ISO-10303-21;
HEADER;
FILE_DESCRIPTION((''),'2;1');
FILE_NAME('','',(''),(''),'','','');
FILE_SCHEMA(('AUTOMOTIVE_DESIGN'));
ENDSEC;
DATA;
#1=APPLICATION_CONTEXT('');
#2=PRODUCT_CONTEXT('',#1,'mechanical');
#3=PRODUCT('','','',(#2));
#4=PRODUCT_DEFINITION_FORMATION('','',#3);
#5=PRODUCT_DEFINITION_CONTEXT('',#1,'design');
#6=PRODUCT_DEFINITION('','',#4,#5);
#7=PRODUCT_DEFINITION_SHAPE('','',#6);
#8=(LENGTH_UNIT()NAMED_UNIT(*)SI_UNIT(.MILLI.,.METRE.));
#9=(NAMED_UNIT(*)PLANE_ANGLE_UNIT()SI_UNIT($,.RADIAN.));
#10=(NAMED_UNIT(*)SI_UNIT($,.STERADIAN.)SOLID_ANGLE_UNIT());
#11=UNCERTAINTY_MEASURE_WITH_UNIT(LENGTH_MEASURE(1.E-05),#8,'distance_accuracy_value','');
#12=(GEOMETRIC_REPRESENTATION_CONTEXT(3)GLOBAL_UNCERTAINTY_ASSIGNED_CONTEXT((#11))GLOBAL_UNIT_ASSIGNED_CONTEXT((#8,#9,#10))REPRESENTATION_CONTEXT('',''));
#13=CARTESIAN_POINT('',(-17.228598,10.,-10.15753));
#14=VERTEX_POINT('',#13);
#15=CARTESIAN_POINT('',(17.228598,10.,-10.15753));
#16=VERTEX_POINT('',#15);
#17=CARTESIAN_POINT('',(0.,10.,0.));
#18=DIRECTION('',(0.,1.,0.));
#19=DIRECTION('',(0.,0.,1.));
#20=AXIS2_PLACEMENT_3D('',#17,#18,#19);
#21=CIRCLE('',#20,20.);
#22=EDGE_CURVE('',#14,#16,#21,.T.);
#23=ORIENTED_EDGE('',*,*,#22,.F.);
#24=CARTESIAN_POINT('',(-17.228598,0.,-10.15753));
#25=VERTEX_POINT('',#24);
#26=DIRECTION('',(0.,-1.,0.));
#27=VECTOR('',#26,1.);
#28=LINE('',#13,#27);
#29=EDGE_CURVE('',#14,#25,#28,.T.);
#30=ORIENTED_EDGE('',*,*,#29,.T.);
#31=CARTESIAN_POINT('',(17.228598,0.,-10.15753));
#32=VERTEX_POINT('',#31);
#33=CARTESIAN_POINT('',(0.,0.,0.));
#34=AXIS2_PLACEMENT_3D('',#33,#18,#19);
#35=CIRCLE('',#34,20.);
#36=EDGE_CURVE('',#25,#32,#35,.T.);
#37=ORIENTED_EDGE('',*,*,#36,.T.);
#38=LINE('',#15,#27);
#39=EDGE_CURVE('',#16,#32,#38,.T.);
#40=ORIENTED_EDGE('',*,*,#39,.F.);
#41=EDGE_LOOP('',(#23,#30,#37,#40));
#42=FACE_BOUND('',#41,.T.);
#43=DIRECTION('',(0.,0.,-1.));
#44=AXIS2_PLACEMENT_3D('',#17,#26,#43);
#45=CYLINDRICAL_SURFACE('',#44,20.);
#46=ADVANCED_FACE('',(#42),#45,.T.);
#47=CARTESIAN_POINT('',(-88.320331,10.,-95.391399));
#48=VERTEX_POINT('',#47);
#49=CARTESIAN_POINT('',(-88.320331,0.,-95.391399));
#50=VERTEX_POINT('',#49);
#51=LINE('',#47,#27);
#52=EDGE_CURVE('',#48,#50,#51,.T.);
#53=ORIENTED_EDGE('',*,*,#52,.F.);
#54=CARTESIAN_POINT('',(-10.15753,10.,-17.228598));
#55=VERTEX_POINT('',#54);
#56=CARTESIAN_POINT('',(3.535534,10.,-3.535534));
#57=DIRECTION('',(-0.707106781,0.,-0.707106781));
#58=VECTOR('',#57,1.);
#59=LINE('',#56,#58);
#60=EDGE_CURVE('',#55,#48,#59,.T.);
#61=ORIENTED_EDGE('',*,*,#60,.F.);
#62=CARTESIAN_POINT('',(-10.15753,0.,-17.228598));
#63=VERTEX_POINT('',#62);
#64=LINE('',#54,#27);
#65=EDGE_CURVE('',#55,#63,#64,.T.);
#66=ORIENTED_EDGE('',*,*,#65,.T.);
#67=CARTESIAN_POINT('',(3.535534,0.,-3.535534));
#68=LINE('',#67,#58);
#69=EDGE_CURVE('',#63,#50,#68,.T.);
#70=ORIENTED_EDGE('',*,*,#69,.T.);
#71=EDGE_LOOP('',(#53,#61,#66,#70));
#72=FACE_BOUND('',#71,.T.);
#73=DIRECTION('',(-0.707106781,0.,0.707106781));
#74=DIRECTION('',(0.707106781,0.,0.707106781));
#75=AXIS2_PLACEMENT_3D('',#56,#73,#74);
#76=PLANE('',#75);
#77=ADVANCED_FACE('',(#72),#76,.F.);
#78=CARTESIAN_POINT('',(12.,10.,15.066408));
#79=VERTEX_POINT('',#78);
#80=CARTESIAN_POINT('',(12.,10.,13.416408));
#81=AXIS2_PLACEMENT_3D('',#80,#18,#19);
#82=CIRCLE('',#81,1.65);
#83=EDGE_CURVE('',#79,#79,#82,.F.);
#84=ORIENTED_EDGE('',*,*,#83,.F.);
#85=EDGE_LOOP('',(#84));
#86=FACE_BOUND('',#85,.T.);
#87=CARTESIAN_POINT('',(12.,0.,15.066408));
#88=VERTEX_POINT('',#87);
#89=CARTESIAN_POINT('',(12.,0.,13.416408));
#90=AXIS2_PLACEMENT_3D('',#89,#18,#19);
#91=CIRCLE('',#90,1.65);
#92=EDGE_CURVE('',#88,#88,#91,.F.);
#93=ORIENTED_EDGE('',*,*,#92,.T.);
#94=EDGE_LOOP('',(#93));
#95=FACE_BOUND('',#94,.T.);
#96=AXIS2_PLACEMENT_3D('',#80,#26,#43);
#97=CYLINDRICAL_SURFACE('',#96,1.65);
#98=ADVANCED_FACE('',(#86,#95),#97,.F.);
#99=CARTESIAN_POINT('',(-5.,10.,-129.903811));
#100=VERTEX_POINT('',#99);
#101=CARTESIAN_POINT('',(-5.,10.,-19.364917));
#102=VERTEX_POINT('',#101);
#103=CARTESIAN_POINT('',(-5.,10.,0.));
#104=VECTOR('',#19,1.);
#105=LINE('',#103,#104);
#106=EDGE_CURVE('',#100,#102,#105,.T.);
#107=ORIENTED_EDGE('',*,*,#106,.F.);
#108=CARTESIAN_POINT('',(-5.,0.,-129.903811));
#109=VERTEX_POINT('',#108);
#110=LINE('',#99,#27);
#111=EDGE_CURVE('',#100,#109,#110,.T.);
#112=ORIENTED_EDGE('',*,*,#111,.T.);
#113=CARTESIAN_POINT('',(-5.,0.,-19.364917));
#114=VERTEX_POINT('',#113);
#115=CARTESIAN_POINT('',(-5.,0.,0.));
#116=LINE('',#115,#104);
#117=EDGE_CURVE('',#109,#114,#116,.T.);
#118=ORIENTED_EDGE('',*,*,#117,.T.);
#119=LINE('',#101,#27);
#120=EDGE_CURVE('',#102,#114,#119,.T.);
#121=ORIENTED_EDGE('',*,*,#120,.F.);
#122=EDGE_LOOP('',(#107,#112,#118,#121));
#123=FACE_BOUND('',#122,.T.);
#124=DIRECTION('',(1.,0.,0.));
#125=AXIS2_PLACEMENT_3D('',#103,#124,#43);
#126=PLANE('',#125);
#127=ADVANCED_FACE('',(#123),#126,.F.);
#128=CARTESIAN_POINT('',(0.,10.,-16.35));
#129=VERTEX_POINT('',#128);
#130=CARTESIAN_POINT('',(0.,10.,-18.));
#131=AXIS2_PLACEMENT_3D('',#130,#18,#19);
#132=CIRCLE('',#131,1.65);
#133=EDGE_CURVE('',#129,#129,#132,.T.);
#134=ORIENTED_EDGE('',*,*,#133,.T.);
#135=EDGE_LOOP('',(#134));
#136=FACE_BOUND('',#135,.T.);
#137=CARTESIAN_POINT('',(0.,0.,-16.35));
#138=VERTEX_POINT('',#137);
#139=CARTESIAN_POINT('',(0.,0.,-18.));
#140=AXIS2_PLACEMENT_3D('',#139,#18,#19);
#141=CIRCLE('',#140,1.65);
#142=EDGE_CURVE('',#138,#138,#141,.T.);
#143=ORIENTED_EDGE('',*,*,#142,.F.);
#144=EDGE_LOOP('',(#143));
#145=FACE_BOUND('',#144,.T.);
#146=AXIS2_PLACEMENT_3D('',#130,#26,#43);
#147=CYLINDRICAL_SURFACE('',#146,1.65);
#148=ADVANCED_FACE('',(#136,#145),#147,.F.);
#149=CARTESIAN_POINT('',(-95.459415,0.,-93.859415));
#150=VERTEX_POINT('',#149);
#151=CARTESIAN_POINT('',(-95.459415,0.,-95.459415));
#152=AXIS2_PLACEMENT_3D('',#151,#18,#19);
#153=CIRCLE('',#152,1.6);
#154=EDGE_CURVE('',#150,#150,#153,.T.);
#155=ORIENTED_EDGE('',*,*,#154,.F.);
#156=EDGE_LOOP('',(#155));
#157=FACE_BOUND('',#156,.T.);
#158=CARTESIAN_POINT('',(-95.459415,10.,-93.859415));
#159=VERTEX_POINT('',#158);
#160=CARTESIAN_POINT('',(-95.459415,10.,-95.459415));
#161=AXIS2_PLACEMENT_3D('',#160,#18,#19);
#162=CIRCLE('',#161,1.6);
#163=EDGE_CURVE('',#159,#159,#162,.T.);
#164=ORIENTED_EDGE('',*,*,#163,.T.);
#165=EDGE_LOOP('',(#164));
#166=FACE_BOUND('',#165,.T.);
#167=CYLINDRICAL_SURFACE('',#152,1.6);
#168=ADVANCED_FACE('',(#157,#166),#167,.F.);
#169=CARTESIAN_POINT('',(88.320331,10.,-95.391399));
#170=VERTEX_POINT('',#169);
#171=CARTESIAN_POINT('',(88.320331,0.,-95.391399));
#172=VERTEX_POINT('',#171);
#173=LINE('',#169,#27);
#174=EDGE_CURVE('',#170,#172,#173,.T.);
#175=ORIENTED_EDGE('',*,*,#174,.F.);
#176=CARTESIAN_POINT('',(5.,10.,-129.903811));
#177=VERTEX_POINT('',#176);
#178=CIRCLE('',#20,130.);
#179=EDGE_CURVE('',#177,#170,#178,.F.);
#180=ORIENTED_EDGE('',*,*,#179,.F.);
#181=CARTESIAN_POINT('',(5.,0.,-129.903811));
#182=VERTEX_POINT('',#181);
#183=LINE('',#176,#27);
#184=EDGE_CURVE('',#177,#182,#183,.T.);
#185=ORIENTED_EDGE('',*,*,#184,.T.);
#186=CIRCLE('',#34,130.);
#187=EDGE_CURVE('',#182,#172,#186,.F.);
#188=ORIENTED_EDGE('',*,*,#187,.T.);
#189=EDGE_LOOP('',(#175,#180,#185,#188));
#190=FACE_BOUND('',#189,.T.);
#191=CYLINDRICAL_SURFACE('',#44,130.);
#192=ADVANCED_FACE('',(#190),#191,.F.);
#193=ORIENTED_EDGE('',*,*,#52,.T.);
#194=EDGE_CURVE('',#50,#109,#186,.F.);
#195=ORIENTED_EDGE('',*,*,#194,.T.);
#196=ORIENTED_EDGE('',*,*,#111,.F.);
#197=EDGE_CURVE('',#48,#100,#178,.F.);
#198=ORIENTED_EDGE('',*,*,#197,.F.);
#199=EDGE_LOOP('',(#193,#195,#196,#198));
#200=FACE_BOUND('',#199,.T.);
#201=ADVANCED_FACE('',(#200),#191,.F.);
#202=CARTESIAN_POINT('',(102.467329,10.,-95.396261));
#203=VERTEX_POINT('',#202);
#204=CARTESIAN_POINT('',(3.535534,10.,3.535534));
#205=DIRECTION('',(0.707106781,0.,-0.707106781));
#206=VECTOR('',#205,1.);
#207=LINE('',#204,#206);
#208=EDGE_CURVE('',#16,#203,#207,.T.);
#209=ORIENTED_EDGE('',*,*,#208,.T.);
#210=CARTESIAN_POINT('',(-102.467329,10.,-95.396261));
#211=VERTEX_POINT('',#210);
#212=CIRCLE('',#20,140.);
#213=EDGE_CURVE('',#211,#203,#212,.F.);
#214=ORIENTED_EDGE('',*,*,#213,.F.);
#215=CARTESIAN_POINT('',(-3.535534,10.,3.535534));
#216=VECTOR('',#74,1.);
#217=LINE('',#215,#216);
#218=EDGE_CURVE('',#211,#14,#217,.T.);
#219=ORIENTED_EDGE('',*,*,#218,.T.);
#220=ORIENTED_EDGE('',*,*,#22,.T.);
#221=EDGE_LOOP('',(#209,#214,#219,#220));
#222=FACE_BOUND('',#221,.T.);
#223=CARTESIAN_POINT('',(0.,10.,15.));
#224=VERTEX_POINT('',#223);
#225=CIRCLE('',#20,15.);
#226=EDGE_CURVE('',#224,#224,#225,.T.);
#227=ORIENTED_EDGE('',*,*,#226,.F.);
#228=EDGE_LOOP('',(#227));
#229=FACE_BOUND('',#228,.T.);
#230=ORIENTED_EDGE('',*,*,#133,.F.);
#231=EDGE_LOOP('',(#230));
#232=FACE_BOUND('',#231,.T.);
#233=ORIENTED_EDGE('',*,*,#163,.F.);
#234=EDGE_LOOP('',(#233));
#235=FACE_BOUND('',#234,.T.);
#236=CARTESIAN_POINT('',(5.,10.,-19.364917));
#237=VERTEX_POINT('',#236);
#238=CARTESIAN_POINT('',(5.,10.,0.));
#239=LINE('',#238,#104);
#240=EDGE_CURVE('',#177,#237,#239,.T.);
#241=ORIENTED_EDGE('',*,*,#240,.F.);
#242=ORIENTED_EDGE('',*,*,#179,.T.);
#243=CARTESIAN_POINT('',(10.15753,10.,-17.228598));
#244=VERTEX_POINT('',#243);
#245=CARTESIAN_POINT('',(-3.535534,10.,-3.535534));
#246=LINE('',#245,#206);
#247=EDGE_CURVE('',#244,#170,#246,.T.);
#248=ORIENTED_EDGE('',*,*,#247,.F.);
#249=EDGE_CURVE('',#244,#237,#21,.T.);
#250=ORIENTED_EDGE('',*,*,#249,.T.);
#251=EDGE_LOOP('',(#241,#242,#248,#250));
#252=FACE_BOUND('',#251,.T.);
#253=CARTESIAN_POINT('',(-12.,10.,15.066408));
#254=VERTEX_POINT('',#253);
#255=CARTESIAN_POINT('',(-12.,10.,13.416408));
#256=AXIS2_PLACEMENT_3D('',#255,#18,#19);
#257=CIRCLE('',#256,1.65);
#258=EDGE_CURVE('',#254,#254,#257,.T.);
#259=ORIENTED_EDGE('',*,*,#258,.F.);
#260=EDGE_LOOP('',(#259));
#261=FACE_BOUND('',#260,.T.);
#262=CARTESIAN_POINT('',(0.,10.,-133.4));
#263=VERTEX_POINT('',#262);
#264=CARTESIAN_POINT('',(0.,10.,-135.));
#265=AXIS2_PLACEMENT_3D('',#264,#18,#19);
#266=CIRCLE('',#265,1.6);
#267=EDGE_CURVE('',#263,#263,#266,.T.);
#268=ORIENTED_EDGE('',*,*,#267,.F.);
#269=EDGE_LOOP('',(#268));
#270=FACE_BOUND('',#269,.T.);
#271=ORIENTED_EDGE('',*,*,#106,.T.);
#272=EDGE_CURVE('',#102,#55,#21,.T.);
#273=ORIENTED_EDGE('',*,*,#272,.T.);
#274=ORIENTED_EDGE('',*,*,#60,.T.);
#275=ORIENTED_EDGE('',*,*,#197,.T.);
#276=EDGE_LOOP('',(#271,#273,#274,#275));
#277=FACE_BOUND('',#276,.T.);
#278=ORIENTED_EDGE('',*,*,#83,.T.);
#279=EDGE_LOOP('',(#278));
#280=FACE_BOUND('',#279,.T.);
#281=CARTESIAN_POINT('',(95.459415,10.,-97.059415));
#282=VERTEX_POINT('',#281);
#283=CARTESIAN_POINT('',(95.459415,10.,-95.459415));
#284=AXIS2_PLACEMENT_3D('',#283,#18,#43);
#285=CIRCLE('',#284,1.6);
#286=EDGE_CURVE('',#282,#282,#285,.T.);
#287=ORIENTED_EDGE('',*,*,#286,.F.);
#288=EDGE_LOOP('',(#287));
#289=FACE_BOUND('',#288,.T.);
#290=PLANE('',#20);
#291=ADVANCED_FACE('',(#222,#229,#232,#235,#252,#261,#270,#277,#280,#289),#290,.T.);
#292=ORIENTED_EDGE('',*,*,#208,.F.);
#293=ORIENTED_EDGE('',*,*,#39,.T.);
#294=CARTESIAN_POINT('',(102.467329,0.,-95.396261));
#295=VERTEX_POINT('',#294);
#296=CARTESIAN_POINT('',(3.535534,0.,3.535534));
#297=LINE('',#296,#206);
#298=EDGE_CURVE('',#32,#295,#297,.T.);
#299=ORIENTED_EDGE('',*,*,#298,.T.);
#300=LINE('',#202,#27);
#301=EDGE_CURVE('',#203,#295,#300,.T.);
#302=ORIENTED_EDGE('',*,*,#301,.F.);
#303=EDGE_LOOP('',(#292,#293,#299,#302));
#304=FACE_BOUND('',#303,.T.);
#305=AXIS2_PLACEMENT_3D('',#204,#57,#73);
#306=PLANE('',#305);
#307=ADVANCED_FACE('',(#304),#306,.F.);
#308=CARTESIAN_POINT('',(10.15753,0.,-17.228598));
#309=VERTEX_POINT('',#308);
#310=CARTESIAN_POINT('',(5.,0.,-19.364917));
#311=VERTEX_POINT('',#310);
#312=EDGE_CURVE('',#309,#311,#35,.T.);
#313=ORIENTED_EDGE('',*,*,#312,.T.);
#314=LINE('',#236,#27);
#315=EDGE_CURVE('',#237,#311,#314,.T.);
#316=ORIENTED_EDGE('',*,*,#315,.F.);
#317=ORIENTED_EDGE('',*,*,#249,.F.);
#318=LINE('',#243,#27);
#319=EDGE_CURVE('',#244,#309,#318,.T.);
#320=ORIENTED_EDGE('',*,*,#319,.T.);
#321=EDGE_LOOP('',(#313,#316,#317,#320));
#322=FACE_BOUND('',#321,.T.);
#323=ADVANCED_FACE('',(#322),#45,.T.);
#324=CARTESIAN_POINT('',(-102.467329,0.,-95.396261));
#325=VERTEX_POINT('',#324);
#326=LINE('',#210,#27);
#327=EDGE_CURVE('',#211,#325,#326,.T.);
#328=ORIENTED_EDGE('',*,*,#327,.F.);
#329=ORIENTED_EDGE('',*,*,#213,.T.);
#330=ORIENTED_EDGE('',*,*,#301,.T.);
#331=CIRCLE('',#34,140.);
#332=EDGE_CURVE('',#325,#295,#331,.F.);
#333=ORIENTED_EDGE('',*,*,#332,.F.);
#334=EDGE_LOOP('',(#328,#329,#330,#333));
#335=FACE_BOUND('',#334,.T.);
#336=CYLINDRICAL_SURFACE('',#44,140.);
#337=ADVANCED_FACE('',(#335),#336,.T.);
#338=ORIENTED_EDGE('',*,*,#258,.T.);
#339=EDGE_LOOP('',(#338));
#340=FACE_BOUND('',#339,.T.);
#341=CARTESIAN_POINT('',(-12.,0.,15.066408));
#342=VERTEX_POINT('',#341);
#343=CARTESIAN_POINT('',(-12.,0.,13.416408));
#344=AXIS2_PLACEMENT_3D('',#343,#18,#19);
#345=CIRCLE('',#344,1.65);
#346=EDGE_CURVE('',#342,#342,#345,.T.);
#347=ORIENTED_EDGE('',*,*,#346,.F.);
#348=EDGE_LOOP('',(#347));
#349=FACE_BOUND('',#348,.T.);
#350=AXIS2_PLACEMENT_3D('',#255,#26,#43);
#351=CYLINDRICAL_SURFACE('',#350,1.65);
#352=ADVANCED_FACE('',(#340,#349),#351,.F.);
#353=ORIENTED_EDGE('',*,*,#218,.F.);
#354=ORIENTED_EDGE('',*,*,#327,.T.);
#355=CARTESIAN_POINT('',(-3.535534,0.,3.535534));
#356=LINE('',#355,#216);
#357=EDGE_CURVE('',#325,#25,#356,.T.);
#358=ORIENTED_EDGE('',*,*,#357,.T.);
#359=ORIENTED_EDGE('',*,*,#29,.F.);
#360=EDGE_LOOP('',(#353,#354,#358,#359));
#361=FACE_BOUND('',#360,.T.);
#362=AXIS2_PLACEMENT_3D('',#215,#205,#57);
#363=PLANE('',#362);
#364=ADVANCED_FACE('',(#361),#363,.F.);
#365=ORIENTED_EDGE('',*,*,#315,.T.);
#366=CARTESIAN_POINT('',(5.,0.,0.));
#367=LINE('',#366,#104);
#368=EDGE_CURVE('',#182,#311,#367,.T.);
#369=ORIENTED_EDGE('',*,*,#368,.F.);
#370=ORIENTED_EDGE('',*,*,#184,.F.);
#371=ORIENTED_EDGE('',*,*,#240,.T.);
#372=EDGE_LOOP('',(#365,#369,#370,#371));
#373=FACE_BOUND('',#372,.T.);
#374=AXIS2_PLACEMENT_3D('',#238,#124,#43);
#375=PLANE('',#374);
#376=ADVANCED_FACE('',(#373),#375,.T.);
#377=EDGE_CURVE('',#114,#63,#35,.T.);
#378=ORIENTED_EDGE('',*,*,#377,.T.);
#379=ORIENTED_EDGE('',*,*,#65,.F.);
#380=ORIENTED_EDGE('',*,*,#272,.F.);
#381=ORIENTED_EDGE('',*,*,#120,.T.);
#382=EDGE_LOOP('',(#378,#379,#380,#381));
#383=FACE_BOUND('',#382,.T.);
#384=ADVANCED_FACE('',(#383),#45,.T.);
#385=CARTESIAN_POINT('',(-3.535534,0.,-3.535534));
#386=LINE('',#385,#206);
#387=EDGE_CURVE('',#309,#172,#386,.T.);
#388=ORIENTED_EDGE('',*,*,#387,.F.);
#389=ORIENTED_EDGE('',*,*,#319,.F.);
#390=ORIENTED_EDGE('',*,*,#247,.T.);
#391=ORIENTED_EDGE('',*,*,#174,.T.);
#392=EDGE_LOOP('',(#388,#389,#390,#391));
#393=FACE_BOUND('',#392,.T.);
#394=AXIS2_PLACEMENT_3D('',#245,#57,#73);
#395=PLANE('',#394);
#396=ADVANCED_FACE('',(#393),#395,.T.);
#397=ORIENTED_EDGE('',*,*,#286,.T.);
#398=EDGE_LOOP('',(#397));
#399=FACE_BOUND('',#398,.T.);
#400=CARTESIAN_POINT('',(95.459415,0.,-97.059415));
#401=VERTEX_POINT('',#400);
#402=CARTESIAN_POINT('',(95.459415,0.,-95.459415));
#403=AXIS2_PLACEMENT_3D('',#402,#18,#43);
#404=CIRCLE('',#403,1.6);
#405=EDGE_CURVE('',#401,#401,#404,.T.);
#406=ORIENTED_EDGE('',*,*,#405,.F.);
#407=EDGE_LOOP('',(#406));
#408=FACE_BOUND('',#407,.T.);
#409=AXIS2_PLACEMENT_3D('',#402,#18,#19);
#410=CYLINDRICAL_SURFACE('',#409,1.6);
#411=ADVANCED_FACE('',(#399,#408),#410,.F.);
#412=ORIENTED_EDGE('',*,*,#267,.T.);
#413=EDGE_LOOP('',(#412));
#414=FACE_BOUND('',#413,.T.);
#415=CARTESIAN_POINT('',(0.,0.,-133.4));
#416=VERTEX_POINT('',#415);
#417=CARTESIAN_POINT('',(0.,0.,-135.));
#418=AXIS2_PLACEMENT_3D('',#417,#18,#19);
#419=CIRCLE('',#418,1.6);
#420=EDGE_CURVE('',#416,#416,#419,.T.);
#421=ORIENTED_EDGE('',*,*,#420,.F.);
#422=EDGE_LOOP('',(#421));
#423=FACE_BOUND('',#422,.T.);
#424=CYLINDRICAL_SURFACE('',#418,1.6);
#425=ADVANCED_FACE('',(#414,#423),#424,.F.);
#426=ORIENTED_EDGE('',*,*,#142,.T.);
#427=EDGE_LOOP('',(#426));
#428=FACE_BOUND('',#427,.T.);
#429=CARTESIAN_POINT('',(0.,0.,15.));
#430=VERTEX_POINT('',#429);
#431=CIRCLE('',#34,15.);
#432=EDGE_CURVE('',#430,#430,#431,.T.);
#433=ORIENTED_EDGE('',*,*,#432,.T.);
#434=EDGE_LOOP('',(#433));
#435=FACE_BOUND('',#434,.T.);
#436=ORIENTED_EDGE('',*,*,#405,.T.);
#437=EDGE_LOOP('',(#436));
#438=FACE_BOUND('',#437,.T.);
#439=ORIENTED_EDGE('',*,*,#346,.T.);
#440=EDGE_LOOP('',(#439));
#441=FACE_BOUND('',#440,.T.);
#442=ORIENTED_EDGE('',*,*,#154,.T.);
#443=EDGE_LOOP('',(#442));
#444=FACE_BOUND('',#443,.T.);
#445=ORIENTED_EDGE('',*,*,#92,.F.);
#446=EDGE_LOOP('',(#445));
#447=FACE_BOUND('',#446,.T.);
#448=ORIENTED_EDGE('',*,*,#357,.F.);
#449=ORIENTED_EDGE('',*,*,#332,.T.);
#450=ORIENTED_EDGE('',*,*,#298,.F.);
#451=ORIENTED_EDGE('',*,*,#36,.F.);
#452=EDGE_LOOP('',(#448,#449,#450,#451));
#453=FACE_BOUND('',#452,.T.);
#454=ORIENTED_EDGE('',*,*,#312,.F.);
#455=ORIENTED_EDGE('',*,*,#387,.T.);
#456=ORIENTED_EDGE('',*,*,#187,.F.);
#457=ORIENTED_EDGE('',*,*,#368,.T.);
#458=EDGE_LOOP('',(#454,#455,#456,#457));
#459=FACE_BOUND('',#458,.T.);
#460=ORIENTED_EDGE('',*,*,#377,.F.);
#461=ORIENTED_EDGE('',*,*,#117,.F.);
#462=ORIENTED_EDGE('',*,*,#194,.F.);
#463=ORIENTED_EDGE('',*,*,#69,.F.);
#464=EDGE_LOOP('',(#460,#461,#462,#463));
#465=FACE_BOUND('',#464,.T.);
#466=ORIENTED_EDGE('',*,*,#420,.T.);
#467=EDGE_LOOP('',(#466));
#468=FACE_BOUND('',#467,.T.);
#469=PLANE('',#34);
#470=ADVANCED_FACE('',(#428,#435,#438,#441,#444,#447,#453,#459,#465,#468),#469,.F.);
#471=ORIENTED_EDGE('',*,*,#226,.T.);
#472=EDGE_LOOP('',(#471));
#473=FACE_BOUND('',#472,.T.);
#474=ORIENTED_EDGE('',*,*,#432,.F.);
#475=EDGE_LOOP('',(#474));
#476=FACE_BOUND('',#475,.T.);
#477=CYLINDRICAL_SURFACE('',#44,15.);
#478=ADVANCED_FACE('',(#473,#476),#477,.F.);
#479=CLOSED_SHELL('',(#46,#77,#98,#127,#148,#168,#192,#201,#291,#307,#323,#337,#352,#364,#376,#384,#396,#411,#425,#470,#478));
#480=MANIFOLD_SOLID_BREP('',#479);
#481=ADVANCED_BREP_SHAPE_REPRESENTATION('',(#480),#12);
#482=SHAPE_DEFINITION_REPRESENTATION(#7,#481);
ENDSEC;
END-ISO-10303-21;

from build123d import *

# Parameters (mm, degrees)
SKETCH_1_R          = 1.65
SKETCH_1_R_2        = 15
EXTRUDE_2_DEPTH     = 10
SKETCH_2_R          = 1.6
CUT_EXTRUDE_1_DEPTH = 11


with BuildPart() as part:
    # 草圖1 → 填料-伸長2 (new body)
    with BuildSketch(Plane(origin=(0, 0, 0), x_dir=(1, 0, 0), z_dir=(0, 1, 0))):
        with BuildLine():
            ThreePointArc((-17.228597844, 10.157530032), (0, -20), (17.228597844, 10.157530032))
            Line((17.228597844, 10.157530032), (102.467328593, 95.396260781))
            ThreePointArc((102.467328593, 95.396260781), (0, 140), (-102.467328593, 95.396260781))
            Line((-102.467328593, 95.396260781), (-17.228597844, 10.157530032))
        make_face()
        with Locations((-12, -13.416407865)):
            Circle(SKETCH_1_R, mode=Mode.SUBTRACT)
        Circle(SKETCH_1_R_2, mode=Mode.SUBTRACT)
        with Locations((0, 18)):
            Circle(SKETCH_1_R, mode=Mode.SUBTRACT)
        with Locations((12, -13.416407865)):
            Circle(SKETCH_1_R, mode=Mode.SUBTRACT)
        with BuildLine():
            ThreePointArc((-88.320331448, 95.39139926), (-49.748846207, 120.104339226), (-5, 129.903810568))
            Line((-5, 129.903810568), (-5, 19.364916731))
            ThreePointArc((-5, 19.364916731), (-7.653668647, 18.47759065), (-10.157530032, 17.228597844))
            Line((-10.157530032, 17.228597844), (-88.320331448, 95.39139926))
        make_face(mode=Mode.SUBTRACT)
        with BuildLine():
            Line((5, 19.364916731), (5, 129.903810568))
            ThreePointArc((5, 129.903810568), (49.748846207, 120.104339226), (88.320331448, 95.39139926))
            Line((88.320331448, 95.39139926), (10.157530032, 17.228597844))
            ThreePointArc((10.157530032, 17.228597844), (7.653668647, 18.47759065), (5, 19.364916731))
        make_face(mode=Mode.SUBTRACT)
    extrude(amount=EXTRUDE_2_DEPTH)

    # 草圖2 → 除料-伸長1 (cut, through all)
    with BuildSketch(Plane(origin=(0, 10, 0), x_dir=(1, 0, 0), z_dir=(0, 1, 0))):
        with Locations((-95.45941546, 95.45941546)):
            Circle(SKETCH_2_R)
        with Locations((0, 135)):
            Circle(SKETCH_2_R)
        with Locations((95.45941546, 95.45941546)):
            Circle(SKETCH_2_R)
    extrude(amount=-CUT_EXTRUDE_1_DEPTH, mode=Mode.SUBTRACT)


solid = part.part
